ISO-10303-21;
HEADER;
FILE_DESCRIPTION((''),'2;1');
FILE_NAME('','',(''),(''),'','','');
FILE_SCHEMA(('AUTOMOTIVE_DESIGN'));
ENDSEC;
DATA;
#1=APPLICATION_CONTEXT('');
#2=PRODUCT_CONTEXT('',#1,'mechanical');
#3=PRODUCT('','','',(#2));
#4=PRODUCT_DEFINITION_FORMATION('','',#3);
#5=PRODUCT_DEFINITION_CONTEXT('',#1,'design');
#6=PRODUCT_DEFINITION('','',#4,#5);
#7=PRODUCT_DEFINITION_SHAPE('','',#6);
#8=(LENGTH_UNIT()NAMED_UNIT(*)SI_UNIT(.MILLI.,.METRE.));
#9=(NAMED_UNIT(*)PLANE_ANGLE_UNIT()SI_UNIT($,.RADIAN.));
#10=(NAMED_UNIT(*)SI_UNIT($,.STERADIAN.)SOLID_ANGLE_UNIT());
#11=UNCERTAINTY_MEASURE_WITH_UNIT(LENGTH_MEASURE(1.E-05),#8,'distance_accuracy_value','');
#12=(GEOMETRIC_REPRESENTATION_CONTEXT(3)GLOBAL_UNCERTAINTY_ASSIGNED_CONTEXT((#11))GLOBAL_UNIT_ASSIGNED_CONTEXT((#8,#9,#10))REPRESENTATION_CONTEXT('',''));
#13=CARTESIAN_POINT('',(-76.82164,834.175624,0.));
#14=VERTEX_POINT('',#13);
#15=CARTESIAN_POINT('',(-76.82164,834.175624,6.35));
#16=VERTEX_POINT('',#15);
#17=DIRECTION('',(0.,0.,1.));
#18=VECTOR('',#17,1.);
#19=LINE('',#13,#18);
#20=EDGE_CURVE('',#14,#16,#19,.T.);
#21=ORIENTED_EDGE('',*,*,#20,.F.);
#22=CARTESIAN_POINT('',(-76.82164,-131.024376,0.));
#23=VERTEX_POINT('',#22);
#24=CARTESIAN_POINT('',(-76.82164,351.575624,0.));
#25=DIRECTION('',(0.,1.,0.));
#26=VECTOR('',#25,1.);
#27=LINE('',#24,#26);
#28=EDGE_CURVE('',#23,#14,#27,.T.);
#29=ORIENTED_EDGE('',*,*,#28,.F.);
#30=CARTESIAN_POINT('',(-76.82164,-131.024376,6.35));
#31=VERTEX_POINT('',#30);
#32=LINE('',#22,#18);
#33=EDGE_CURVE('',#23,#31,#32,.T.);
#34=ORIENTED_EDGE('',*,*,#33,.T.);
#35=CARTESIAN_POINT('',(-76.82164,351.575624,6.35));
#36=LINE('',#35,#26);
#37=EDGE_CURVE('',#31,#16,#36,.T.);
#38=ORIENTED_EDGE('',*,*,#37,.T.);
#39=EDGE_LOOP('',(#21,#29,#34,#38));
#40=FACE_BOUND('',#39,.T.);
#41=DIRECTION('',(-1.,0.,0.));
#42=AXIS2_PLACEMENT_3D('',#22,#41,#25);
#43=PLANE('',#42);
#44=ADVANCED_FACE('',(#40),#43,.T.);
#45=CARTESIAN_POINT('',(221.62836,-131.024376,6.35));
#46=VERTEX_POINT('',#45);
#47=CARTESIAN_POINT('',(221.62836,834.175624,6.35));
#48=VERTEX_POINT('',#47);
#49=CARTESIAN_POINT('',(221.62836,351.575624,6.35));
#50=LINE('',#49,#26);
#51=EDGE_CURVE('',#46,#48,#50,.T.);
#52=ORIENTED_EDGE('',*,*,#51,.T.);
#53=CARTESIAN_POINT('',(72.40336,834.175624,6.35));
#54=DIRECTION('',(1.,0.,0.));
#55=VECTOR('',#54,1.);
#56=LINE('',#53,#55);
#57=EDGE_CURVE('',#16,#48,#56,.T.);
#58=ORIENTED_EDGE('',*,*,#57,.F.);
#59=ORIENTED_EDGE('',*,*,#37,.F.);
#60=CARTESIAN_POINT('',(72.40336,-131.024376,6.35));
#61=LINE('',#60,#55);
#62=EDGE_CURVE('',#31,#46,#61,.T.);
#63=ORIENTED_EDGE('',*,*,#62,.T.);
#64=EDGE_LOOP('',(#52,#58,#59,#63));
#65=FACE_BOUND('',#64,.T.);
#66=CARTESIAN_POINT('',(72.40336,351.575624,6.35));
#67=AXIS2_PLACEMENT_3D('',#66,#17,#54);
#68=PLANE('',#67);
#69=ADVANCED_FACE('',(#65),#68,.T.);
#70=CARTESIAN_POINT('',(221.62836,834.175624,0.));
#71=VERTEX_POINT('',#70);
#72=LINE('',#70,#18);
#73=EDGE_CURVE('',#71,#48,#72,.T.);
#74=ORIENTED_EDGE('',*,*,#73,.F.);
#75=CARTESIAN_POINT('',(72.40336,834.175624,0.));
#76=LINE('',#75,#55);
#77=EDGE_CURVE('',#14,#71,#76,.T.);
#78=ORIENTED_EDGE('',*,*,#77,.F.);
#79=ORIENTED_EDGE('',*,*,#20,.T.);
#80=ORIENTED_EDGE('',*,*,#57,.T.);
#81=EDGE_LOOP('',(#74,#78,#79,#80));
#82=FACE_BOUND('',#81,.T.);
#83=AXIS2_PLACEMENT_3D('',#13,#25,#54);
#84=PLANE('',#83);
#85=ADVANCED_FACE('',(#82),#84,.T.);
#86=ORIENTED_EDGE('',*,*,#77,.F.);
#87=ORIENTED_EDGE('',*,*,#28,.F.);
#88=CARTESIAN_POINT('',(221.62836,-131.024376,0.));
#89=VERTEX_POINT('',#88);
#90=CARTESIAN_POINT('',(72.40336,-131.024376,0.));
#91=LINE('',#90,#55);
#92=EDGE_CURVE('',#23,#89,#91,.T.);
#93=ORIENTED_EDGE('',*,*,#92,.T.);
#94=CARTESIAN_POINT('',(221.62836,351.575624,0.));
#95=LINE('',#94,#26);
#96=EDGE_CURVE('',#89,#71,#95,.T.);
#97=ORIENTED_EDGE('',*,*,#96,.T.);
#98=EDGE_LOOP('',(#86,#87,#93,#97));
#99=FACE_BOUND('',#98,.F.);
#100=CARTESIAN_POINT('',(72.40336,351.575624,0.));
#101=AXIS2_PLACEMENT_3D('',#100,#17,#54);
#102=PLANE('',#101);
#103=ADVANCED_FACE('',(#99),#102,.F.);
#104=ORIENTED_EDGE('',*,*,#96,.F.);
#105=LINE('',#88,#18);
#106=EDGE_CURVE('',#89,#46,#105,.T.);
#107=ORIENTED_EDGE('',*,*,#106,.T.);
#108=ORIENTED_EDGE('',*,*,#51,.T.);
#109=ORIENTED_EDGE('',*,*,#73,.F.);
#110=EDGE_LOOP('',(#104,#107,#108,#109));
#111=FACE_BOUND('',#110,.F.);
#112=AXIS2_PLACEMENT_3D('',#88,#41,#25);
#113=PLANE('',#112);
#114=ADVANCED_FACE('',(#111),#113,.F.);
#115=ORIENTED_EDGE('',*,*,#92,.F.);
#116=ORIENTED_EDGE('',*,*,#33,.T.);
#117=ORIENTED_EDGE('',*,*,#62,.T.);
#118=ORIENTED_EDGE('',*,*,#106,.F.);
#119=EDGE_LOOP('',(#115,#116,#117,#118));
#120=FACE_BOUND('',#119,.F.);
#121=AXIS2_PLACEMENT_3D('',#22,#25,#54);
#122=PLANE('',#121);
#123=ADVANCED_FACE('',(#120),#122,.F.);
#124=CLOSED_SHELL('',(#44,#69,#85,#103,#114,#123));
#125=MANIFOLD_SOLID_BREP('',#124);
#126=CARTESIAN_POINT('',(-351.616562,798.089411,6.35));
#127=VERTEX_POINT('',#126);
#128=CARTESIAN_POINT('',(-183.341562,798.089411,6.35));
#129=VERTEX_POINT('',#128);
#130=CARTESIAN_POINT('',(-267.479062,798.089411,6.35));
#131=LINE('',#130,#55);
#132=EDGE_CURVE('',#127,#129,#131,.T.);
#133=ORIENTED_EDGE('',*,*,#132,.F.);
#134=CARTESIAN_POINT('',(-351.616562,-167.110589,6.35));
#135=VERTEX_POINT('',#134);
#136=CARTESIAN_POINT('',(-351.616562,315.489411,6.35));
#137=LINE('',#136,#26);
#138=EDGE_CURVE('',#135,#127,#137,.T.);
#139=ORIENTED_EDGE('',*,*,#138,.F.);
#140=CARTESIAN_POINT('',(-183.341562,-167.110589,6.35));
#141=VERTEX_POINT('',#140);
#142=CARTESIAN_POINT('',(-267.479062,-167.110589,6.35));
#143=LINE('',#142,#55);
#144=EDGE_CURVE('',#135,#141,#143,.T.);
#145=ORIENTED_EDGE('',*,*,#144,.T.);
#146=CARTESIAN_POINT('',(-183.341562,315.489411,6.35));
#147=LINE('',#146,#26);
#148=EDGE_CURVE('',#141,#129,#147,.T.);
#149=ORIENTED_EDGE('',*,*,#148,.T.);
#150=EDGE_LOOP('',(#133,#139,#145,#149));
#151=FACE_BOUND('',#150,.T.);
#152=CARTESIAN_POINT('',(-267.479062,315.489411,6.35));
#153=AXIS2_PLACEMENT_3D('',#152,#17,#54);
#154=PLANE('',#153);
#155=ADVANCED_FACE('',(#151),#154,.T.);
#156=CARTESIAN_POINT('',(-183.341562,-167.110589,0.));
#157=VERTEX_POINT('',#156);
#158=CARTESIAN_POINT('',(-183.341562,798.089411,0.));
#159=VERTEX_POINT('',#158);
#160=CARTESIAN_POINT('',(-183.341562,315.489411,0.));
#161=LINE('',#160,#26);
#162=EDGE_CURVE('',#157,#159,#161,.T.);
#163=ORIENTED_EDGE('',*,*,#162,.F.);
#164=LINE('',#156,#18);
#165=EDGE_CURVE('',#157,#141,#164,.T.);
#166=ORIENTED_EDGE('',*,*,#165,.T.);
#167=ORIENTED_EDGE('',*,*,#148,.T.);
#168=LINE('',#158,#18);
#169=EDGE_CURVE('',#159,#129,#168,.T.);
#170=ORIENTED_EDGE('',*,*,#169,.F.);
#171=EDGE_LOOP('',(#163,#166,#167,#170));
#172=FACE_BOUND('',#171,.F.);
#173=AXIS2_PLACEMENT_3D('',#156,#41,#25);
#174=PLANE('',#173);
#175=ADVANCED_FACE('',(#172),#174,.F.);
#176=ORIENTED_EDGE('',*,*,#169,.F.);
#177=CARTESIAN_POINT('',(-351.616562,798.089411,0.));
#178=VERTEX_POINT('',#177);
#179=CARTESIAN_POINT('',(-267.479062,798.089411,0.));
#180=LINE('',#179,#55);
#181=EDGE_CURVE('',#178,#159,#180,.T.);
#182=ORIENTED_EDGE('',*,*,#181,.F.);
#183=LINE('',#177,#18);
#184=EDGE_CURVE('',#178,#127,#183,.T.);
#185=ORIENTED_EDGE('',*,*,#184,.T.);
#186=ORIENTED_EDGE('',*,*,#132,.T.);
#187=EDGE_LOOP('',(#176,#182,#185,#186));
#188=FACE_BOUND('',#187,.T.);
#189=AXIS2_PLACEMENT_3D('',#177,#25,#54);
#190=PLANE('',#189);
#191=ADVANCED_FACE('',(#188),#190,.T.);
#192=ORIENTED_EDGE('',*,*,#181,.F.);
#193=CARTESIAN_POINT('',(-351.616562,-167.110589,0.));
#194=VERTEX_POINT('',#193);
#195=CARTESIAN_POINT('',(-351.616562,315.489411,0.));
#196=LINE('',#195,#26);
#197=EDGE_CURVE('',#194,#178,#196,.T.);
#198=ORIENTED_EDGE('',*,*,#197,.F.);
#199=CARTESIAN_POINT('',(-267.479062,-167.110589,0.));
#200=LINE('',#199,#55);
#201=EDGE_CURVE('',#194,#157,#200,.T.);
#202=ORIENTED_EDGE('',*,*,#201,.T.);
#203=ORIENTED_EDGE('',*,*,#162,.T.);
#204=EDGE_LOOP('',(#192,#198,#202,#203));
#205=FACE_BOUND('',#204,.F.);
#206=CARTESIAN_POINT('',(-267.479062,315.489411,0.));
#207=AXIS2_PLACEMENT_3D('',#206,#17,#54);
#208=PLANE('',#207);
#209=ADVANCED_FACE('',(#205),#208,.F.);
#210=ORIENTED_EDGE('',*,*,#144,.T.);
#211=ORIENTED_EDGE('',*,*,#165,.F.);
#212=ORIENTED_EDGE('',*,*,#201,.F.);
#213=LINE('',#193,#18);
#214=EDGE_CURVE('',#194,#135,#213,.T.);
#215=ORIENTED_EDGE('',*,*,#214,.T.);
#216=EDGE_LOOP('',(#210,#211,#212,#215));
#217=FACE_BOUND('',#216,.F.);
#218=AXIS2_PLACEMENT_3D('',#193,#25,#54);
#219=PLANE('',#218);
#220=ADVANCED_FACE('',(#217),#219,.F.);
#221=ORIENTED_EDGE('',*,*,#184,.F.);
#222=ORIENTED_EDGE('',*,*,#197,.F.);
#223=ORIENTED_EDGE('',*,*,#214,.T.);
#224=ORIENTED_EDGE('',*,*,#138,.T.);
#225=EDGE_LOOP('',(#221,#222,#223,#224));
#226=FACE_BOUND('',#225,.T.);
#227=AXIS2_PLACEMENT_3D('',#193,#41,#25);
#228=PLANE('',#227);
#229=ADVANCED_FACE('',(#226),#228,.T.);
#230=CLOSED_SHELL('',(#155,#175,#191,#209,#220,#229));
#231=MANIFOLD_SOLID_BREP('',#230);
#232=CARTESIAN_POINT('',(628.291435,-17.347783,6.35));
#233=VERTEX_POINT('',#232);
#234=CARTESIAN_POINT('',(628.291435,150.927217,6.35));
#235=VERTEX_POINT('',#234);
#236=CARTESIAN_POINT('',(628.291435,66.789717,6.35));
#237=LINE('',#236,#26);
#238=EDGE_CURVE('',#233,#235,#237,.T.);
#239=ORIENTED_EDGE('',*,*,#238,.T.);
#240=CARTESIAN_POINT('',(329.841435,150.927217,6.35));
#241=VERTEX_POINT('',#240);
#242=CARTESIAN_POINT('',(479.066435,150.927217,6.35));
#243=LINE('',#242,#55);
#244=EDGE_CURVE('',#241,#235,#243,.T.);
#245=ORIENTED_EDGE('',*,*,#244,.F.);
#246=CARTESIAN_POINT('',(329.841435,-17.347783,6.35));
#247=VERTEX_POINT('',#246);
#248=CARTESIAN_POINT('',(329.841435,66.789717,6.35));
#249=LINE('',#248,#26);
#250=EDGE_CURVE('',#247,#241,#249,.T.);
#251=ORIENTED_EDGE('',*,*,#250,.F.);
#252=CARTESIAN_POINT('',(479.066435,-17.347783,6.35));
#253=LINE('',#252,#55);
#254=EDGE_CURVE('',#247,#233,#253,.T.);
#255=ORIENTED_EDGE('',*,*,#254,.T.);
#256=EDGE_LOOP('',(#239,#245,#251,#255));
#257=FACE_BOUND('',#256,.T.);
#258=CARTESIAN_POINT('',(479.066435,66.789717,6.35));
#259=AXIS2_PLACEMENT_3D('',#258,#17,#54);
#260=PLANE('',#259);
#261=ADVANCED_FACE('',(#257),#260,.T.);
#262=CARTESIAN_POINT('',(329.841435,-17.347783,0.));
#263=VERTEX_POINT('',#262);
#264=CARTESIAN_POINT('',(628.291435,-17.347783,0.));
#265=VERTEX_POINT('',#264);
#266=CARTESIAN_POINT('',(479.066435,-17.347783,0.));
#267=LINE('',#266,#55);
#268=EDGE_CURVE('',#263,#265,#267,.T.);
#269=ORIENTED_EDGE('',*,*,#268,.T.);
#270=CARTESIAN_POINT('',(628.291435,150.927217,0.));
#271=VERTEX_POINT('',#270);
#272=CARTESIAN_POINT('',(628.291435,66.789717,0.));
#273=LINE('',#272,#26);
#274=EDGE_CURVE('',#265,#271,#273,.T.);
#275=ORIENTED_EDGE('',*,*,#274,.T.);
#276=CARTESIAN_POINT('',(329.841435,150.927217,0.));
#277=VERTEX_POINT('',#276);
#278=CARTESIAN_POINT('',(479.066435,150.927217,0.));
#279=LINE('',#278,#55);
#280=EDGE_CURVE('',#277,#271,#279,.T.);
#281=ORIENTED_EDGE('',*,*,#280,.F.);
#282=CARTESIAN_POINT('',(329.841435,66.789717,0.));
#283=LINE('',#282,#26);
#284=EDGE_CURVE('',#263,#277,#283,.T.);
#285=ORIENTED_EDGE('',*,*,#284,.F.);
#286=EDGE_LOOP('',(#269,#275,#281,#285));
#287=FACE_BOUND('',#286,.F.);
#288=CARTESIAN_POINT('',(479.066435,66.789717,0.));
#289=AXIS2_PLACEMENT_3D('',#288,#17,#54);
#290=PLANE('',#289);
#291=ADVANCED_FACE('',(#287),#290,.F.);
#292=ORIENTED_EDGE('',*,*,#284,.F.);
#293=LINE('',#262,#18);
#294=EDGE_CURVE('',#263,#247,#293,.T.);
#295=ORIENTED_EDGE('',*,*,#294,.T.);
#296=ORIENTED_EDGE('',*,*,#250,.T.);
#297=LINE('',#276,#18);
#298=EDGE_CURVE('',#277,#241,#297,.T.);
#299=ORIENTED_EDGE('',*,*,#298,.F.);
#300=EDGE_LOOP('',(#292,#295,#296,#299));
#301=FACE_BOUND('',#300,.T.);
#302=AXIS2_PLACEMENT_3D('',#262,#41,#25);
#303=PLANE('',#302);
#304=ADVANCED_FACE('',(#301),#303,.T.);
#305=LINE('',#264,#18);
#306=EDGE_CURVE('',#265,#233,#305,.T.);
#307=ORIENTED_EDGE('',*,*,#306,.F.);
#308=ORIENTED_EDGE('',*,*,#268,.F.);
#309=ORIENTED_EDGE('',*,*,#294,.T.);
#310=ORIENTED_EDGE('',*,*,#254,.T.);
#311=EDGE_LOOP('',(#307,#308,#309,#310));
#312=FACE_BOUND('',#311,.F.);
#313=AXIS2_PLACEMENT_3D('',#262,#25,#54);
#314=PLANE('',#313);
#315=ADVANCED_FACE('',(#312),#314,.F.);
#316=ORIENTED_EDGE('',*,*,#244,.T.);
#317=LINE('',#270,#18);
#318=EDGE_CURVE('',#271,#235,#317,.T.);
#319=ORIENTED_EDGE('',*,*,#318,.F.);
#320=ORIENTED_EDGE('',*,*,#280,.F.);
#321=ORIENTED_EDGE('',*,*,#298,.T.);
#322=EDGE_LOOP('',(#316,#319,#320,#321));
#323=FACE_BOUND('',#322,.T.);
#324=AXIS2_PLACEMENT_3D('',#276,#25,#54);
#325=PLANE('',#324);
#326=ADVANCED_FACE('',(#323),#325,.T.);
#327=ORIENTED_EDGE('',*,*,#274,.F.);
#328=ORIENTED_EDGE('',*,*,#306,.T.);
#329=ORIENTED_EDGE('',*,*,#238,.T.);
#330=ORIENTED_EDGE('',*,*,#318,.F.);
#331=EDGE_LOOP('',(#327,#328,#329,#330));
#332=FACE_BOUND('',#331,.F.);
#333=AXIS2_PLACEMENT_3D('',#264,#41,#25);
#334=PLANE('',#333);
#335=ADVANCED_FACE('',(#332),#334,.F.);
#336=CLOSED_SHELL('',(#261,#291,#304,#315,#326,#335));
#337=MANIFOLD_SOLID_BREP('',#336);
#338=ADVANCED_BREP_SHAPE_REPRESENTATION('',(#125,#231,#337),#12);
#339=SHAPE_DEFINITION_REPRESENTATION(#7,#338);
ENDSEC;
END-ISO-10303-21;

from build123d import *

# Parameters (mm, degrees)
F0_W     = 168.275
F0_H     = 965.2
F0_W_2   = 298.45
F0_H_2   = 168.275
F1_DEPTH = 6.35


with BuildPart() as f1:
    # F0 (on Top) → F1 (new body)
    with BuildSketch(Plane.XY):
        with Locations((-267.479062, 315.489411)):
            Rectangle(F0_W, F0_H)
        with Locations((72.40336, 351.575624)):
            Rectangle(F0_W_2, F0_H)
        with Locations((479.066435, 66.789717)):
            Rectangle(F0_W_2, F0_H_2)
    extrude(amount=F1_DEPTH)


solid = f1.part
